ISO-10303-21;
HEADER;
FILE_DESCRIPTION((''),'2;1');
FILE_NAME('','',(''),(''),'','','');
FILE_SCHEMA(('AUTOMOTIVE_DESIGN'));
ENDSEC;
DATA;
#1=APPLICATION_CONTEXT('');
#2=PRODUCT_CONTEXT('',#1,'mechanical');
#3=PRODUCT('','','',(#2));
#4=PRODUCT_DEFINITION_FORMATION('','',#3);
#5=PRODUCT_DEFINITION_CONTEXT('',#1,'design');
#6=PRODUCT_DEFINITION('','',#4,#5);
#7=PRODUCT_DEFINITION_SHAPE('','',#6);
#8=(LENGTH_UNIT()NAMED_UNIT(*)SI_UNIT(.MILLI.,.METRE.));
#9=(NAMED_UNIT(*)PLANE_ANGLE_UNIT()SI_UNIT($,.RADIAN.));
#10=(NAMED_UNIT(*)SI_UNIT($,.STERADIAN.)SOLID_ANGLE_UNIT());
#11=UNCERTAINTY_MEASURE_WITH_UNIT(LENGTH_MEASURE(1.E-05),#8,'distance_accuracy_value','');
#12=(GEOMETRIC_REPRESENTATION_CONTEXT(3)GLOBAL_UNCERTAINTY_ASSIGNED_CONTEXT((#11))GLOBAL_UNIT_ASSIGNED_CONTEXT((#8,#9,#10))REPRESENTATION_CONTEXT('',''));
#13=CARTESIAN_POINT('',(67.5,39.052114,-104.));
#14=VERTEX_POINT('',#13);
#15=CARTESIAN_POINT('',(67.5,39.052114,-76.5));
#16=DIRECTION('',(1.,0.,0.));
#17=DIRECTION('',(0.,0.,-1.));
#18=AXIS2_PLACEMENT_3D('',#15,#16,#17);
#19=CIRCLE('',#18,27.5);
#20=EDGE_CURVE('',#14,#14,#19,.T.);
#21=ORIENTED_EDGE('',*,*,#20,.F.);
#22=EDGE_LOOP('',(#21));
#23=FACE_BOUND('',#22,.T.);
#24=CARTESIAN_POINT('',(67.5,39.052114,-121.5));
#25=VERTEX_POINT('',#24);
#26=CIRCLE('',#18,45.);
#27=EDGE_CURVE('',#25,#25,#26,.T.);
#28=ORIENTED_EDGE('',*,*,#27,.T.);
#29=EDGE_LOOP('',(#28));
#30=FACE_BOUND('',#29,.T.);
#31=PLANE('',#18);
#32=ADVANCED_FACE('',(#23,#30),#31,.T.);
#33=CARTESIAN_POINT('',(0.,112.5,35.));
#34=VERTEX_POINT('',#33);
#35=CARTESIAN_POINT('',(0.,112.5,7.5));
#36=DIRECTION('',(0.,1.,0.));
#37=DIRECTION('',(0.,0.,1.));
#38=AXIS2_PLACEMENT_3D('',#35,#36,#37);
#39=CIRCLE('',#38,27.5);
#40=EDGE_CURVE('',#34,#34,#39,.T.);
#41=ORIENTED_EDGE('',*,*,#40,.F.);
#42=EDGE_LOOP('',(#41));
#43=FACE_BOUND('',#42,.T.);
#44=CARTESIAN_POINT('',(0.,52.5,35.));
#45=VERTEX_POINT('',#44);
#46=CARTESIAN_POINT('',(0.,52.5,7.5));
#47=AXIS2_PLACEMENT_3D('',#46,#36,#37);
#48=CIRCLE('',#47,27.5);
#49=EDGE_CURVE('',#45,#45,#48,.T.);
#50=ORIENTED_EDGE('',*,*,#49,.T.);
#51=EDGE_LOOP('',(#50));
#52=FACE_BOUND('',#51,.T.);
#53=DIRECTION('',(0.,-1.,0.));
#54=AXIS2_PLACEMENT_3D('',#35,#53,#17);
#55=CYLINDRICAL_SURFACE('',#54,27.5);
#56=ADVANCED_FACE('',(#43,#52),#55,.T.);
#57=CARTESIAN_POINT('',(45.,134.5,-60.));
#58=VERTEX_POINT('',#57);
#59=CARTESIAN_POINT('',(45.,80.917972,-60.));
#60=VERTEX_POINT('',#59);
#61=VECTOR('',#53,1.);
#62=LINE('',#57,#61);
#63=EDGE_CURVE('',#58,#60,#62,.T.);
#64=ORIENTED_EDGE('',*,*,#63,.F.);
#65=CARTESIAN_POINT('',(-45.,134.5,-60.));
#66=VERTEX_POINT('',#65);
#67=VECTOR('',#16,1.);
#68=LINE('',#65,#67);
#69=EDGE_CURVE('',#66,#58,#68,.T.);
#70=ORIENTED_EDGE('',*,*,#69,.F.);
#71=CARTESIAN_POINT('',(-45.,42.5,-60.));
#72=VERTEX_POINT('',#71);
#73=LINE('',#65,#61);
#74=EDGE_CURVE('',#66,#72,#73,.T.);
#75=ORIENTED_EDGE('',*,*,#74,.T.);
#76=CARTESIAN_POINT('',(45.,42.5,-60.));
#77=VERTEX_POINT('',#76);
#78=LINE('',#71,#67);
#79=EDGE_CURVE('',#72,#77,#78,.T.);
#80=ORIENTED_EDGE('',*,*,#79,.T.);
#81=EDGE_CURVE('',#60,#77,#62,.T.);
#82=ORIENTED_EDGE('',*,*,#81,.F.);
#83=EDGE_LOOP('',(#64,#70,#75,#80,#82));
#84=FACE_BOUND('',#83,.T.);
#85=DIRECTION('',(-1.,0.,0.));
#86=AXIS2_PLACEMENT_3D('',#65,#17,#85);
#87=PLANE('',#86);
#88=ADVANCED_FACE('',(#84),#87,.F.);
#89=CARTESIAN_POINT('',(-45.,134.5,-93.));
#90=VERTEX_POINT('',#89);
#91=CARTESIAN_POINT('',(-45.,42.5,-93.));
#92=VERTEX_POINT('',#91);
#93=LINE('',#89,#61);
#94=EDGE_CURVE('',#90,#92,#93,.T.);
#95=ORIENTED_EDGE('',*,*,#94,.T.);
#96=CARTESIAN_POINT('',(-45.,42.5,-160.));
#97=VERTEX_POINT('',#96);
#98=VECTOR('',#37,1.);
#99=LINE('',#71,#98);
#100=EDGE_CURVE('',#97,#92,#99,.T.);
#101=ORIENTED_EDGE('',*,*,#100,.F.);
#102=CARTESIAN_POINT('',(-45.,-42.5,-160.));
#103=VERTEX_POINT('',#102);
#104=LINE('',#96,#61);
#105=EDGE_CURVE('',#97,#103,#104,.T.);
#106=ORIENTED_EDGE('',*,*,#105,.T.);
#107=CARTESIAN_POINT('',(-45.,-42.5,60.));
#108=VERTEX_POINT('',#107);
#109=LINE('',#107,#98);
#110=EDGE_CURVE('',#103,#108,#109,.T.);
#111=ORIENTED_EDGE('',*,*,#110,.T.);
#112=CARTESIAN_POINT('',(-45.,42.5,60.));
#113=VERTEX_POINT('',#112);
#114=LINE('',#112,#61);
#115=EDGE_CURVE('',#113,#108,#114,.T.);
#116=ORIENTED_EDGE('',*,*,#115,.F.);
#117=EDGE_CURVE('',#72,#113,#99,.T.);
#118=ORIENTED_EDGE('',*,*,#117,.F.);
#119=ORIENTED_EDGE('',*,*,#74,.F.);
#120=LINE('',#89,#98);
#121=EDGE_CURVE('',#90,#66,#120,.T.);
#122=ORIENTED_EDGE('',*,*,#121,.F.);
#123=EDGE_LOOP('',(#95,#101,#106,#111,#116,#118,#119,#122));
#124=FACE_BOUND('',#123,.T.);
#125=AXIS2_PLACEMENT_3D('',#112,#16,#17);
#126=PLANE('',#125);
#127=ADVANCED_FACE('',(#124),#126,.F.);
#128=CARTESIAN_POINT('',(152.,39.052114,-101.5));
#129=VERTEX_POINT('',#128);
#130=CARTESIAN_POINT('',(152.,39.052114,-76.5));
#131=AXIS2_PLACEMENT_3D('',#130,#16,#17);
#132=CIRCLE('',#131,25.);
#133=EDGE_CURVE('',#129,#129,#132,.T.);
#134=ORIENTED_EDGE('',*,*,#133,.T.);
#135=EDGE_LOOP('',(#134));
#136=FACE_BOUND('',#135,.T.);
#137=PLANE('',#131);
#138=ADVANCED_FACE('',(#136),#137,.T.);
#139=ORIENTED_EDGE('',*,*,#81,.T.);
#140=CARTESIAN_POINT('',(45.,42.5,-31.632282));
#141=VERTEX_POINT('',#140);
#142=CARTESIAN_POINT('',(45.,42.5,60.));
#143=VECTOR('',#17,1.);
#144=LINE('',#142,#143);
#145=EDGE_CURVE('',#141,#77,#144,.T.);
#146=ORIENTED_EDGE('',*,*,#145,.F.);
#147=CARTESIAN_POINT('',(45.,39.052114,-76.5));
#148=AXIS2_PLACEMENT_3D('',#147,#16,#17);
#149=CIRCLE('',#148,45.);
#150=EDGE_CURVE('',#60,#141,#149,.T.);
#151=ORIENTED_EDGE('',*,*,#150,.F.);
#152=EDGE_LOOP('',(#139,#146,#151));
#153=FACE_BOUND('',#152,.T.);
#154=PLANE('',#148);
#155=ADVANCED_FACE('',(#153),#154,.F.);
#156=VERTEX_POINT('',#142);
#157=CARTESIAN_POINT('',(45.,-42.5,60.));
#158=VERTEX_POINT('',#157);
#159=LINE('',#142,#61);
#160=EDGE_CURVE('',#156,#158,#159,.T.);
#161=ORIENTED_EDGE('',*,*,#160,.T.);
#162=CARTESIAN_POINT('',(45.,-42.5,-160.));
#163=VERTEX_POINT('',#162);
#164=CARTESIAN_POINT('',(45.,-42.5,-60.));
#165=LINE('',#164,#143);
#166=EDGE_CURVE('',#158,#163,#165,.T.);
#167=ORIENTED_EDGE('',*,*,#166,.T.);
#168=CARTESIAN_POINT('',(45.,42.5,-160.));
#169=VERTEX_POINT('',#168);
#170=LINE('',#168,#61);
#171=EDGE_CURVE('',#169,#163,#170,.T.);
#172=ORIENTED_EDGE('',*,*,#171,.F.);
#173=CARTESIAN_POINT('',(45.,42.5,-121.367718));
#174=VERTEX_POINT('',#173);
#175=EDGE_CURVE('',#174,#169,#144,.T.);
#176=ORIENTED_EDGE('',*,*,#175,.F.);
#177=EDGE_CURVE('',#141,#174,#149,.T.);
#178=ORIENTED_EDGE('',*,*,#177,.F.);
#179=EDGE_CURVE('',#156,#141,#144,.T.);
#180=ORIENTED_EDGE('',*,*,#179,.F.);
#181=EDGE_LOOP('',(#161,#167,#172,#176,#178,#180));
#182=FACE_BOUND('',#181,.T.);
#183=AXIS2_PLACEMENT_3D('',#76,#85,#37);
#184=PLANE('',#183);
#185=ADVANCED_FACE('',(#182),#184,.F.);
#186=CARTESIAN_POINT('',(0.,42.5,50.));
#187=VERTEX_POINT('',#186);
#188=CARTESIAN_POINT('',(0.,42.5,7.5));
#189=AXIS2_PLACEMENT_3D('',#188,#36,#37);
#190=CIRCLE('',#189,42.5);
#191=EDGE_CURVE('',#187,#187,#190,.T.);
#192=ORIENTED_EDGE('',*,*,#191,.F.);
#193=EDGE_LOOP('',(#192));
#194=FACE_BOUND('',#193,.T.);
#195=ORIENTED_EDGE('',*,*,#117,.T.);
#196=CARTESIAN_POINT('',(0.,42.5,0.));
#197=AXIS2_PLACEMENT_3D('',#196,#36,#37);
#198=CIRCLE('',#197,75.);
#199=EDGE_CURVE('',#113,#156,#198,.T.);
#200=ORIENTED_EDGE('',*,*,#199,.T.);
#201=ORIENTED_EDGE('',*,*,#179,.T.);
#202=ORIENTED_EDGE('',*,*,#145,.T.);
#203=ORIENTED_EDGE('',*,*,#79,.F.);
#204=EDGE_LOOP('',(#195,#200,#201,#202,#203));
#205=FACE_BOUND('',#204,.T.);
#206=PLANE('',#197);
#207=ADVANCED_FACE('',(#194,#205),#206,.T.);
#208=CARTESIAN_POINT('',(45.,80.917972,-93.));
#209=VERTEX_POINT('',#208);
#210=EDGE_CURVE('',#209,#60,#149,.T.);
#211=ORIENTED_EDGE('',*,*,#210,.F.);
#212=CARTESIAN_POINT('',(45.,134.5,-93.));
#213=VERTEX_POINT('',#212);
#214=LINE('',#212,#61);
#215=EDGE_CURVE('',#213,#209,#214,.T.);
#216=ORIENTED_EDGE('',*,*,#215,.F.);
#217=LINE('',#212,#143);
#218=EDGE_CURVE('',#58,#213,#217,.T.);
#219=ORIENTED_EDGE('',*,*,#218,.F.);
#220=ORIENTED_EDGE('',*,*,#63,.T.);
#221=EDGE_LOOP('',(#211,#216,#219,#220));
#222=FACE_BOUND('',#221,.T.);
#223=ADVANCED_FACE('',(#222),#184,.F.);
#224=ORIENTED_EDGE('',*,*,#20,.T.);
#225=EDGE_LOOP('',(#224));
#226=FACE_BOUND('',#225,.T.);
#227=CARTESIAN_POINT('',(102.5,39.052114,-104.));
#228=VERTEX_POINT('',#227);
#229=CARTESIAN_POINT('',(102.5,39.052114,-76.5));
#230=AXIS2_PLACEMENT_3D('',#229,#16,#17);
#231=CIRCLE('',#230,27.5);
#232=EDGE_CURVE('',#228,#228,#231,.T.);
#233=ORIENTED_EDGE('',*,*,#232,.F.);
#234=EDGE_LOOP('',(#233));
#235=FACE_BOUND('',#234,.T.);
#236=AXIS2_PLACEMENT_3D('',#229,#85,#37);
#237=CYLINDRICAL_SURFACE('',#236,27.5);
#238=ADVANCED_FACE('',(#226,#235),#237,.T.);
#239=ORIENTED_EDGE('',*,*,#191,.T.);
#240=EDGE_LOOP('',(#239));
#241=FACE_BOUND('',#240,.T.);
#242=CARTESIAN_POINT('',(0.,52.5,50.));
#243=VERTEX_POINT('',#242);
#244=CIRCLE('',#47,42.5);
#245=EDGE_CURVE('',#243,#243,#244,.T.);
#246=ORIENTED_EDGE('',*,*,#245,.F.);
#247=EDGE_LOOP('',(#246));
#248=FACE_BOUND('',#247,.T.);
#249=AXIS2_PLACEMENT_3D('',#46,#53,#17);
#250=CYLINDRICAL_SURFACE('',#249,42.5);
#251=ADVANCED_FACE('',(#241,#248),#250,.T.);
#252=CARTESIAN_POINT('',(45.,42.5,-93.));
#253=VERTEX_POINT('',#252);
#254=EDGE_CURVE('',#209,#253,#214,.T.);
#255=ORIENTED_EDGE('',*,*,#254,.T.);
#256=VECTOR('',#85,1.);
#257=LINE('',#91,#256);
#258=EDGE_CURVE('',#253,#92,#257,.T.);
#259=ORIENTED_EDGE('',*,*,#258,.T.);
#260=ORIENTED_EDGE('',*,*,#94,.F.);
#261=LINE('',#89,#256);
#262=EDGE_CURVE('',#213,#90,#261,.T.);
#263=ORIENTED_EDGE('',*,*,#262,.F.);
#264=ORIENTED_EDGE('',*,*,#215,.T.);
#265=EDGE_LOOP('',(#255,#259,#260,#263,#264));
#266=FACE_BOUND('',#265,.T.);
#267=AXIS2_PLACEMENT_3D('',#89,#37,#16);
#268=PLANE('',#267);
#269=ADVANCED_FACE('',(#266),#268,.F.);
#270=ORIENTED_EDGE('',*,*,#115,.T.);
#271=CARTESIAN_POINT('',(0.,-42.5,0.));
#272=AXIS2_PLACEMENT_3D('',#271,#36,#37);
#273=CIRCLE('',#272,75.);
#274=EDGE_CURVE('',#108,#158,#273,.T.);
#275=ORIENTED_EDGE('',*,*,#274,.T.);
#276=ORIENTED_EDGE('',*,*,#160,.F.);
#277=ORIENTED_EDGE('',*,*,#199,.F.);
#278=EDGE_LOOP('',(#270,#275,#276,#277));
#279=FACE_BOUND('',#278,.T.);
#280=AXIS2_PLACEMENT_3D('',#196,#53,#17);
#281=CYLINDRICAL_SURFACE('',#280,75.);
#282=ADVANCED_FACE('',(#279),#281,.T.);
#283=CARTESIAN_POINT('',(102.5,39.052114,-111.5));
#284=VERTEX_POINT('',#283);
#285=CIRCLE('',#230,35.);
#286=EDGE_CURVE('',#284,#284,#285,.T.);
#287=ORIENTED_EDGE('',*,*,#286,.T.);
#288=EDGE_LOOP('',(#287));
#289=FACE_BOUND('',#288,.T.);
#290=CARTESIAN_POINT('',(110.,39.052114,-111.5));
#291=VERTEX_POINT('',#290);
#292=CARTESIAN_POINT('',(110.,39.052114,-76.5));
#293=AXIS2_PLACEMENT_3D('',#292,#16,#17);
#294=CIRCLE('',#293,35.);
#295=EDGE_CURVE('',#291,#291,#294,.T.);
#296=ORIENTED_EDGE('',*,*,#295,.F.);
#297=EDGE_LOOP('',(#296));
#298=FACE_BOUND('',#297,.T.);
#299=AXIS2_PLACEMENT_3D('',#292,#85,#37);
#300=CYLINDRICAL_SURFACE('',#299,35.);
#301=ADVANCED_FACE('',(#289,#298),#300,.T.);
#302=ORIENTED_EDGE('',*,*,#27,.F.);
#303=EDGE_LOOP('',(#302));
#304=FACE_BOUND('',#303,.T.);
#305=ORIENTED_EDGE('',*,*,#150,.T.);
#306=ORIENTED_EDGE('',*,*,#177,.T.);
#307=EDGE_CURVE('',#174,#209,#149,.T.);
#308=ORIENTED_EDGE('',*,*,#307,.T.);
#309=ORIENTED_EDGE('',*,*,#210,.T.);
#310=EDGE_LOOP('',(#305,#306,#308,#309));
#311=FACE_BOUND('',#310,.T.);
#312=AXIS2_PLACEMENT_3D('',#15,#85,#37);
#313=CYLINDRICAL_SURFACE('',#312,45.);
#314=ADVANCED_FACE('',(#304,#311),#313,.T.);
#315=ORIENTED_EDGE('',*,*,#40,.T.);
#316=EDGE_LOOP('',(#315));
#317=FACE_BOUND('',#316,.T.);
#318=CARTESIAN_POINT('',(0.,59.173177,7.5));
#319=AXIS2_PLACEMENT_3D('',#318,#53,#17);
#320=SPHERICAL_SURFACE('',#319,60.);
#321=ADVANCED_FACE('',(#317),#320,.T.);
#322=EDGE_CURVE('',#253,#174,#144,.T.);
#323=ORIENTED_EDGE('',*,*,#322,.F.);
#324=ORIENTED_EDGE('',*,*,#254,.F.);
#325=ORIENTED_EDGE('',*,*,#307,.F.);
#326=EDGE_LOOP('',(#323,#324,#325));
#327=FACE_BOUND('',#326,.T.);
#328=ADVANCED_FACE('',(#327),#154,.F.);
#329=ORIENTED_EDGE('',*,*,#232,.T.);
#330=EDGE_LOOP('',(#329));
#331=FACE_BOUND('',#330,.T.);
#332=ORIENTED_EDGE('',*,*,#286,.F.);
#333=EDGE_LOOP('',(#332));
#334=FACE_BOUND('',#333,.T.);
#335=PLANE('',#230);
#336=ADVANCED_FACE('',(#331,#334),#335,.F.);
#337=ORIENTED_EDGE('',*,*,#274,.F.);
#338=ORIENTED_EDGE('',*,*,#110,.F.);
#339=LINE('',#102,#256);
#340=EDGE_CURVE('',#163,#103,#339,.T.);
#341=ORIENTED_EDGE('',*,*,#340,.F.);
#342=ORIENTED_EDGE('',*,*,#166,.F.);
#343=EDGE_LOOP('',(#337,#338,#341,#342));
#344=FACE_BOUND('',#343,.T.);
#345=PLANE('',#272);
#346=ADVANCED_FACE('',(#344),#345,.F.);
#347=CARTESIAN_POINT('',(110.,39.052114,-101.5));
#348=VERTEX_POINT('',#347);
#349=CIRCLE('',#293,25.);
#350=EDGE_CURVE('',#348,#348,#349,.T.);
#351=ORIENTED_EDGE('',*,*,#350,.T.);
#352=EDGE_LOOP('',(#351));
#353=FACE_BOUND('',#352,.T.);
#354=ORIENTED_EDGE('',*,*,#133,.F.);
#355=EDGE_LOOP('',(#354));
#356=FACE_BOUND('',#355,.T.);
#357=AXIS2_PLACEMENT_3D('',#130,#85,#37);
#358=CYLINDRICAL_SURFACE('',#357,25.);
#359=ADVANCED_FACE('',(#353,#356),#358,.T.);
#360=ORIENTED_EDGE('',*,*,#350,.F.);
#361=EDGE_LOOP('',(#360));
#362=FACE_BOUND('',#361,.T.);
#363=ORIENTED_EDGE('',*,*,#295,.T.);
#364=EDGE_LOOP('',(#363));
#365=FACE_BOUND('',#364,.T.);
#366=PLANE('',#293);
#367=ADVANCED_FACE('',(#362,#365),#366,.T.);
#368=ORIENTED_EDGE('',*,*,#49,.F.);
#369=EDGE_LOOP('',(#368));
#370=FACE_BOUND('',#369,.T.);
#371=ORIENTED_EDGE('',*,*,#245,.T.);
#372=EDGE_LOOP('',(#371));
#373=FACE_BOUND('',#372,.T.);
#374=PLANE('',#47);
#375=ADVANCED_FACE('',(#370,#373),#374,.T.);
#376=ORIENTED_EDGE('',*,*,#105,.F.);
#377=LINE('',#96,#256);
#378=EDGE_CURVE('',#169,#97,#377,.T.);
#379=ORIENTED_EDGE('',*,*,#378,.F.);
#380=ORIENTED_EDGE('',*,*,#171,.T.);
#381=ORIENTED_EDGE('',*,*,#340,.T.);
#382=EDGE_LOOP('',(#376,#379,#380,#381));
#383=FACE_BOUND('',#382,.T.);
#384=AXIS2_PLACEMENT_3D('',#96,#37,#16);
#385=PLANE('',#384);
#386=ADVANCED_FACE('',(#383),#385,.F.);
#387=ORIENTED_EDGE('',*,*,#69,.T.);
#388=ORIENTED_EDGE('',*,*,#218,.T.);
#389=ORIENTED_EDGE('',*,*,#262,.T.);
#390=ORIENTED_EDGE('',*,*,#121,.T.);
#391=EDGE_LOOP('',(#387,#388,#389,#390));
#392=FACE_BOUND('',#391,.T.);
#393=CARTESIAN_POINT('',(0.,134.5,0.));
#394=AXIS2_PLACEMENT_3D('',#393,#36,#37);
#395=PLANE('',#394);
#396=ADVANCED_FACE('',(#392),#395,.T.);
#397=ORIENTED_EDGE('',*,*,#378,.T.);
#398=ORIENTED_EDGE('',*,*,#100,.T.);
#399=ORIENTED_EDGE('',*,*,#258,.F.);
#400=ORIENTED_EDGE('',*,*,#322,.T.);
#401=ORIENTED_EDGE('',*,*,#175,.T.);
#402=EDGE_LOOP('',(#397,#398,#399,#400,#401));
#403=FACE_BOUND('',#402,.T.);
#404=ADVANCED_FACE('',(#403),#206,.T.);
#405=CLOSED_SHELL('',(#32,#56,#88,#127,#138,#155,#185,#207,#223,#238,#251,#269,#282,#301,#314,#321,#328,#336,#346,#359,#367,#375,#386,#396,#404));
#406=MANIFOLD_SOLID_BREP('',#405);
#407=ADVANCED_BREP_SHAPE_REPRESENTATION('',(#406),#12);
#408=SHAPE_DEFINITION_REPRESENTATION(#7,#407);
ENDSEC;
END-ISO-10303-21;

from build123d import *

# Parameters (mm, degrees)
BOSS_EXTRUDE1_DEPTH = 42.5
SKETCH3_R           = 42.5
BOSS_EXTRUDE2_DEPTH = 10
SKETCH4_R           = 27.5
BOSS_EXTRUDE3_DEPTH = 60
SKETCH6_W           = 90
SKETCH6_H           = 33
BOSS_EXTRUDE4_DEPTH = 92
SKETCH7_R           = 45
BOSS_EXTRUDE5_DEPTH = 22.5
SKETCH9_R           = 27.5
BOSS_EXTRUDE6_DEPTH = 35
SKETCH10_R          = 35
BOSS_EXTRUDE7_DEPTH = 7.5
SKETCH11_R          = 25
BOSS_EXTRUDE8_DEPTH = 42


with BuildPart() as part:
    # Sketch2 → Boss-Extrude1 (new, symmetric)
    with BuildSketch(Plane(origin=(0, 0, 0), x_dir=(1, 0, 0), z_dir=(0, 1, 0))):
        with BuildLine():
            Line((-45, 60), (-45, 160))
            Line((-45, 160), (45, 160))
            Line((45, 160), (45, 60))
            Line((45, 60), (45, -60))
            ThreePointArc((45, -60), (0, -75), (-45, -60))
            Line((-45, -60), (-45, 60))
        make_face()
    extrude(amount=BOSS_EXTRUDE1_DEPTH, both=True)

    # Sketch3 → Boss-Extrude2 (add)
    with BuildSketch(Plane(origin=(0, 42.5, 0), x_dir=(1, 0, 0), z_dir=(0, 1, 0))):
        with Locations((0, -7.5)):
            Circle(SKETCH3_R)
    extrude(amount=BOSS_EXTRUDE2_DEPTH)

    # Sketch4 → Boss-Extrude3 (add)
    with BuildSketch(Plane(origin=(0, 52.5, 0), x_dir=(1, 0, 0), z_dir=(0, 1, 0))):
        with Locations((0, -7.5)):
            Circle(SKETCH4_R)
    extrude(amount=BOSS_EXTRUDE3_DEPTH)

    # Sketch5 → Revolve1 (revolve)
    with BuildSketch(Plane(origin=(0, 0, 0), x_dir=(0, 0, -1), z_dir=(1, 0, 0))):
        with BuildLine():
            Line((-35, 112.5), (-7.5, 112.5))
            Line((-7.5, 112.5), (-7.5, 119.173177481))
            ThreePointArc((-7.5, 119.173177481), (-21.6490397, 117.481021512), (-35, 112.5))
        make_face()
    revolve(axis=Axis((0, 112.5, 7.5), (0, 1, 0)))

    # Sketch6 → Boss-Extrude4 (add)
    with BuildSketch(Plane(origin=(0, 42.5, 0), x_dir=(1, 0, 0), z_dir=(0, 1, 0))):
        with Locations((0, 76.5)):
            Rectangle(SKETCH6_W, SKETCH6_H)
    extrude(amount=BOSS_EXTRUDE4_DEPTH)

    # Sketch7 → Boss-Extrude5 (add)
    with BuildSketch(Plane(origin=(45, 0, 0), x_dir=(0, 0, -1), z_dir=(1, 0, 0))):
        with Locations((76.5, 39.052114436)):
            Circle(SKETCH7_R)
    extrude(amount=BOSS_EXTRUDE5_DEPTH)

    # Sketch9 → Boss-Extrude6 (add)
    with BuildSketch(Plane(origin=(67.5, 0, 0), x_dir=(0, 0, -1), z_dir=(1, 0, 0))):
        with Locations((76.5, 39.052114436)):
            Circle(SKETCH9_R)
    extrude(amount=BOSS_EXTRUDE6_DEPTH)

    # Sketch10 → Boss-Extrude7 (add)
    with BuildSketch(Plane(origin=(102.5, 0, 0), x_dir=(0, 0, -1), z_dir=(1, 0, 0))):
        with Locations((76.5, 39.052114436)):
            Circle(SKETCH10_R)
    extrude(amount=BOSS_EXTRUDE7_DEPTH)

    # Sketch11 → Boss-Extrude8 (add)
    with BuildSketch(Plane(origin=(110, 0, 0), x_dir=(0, 0, -1), z_dir=(1, 0, 0))):
        with Locations((76.5, 39.052114436)):
            Circle(SKETCH11_R)
    extrude(amount=BOSS_EXTRUDE8_DEPTH)


solid = part.part
